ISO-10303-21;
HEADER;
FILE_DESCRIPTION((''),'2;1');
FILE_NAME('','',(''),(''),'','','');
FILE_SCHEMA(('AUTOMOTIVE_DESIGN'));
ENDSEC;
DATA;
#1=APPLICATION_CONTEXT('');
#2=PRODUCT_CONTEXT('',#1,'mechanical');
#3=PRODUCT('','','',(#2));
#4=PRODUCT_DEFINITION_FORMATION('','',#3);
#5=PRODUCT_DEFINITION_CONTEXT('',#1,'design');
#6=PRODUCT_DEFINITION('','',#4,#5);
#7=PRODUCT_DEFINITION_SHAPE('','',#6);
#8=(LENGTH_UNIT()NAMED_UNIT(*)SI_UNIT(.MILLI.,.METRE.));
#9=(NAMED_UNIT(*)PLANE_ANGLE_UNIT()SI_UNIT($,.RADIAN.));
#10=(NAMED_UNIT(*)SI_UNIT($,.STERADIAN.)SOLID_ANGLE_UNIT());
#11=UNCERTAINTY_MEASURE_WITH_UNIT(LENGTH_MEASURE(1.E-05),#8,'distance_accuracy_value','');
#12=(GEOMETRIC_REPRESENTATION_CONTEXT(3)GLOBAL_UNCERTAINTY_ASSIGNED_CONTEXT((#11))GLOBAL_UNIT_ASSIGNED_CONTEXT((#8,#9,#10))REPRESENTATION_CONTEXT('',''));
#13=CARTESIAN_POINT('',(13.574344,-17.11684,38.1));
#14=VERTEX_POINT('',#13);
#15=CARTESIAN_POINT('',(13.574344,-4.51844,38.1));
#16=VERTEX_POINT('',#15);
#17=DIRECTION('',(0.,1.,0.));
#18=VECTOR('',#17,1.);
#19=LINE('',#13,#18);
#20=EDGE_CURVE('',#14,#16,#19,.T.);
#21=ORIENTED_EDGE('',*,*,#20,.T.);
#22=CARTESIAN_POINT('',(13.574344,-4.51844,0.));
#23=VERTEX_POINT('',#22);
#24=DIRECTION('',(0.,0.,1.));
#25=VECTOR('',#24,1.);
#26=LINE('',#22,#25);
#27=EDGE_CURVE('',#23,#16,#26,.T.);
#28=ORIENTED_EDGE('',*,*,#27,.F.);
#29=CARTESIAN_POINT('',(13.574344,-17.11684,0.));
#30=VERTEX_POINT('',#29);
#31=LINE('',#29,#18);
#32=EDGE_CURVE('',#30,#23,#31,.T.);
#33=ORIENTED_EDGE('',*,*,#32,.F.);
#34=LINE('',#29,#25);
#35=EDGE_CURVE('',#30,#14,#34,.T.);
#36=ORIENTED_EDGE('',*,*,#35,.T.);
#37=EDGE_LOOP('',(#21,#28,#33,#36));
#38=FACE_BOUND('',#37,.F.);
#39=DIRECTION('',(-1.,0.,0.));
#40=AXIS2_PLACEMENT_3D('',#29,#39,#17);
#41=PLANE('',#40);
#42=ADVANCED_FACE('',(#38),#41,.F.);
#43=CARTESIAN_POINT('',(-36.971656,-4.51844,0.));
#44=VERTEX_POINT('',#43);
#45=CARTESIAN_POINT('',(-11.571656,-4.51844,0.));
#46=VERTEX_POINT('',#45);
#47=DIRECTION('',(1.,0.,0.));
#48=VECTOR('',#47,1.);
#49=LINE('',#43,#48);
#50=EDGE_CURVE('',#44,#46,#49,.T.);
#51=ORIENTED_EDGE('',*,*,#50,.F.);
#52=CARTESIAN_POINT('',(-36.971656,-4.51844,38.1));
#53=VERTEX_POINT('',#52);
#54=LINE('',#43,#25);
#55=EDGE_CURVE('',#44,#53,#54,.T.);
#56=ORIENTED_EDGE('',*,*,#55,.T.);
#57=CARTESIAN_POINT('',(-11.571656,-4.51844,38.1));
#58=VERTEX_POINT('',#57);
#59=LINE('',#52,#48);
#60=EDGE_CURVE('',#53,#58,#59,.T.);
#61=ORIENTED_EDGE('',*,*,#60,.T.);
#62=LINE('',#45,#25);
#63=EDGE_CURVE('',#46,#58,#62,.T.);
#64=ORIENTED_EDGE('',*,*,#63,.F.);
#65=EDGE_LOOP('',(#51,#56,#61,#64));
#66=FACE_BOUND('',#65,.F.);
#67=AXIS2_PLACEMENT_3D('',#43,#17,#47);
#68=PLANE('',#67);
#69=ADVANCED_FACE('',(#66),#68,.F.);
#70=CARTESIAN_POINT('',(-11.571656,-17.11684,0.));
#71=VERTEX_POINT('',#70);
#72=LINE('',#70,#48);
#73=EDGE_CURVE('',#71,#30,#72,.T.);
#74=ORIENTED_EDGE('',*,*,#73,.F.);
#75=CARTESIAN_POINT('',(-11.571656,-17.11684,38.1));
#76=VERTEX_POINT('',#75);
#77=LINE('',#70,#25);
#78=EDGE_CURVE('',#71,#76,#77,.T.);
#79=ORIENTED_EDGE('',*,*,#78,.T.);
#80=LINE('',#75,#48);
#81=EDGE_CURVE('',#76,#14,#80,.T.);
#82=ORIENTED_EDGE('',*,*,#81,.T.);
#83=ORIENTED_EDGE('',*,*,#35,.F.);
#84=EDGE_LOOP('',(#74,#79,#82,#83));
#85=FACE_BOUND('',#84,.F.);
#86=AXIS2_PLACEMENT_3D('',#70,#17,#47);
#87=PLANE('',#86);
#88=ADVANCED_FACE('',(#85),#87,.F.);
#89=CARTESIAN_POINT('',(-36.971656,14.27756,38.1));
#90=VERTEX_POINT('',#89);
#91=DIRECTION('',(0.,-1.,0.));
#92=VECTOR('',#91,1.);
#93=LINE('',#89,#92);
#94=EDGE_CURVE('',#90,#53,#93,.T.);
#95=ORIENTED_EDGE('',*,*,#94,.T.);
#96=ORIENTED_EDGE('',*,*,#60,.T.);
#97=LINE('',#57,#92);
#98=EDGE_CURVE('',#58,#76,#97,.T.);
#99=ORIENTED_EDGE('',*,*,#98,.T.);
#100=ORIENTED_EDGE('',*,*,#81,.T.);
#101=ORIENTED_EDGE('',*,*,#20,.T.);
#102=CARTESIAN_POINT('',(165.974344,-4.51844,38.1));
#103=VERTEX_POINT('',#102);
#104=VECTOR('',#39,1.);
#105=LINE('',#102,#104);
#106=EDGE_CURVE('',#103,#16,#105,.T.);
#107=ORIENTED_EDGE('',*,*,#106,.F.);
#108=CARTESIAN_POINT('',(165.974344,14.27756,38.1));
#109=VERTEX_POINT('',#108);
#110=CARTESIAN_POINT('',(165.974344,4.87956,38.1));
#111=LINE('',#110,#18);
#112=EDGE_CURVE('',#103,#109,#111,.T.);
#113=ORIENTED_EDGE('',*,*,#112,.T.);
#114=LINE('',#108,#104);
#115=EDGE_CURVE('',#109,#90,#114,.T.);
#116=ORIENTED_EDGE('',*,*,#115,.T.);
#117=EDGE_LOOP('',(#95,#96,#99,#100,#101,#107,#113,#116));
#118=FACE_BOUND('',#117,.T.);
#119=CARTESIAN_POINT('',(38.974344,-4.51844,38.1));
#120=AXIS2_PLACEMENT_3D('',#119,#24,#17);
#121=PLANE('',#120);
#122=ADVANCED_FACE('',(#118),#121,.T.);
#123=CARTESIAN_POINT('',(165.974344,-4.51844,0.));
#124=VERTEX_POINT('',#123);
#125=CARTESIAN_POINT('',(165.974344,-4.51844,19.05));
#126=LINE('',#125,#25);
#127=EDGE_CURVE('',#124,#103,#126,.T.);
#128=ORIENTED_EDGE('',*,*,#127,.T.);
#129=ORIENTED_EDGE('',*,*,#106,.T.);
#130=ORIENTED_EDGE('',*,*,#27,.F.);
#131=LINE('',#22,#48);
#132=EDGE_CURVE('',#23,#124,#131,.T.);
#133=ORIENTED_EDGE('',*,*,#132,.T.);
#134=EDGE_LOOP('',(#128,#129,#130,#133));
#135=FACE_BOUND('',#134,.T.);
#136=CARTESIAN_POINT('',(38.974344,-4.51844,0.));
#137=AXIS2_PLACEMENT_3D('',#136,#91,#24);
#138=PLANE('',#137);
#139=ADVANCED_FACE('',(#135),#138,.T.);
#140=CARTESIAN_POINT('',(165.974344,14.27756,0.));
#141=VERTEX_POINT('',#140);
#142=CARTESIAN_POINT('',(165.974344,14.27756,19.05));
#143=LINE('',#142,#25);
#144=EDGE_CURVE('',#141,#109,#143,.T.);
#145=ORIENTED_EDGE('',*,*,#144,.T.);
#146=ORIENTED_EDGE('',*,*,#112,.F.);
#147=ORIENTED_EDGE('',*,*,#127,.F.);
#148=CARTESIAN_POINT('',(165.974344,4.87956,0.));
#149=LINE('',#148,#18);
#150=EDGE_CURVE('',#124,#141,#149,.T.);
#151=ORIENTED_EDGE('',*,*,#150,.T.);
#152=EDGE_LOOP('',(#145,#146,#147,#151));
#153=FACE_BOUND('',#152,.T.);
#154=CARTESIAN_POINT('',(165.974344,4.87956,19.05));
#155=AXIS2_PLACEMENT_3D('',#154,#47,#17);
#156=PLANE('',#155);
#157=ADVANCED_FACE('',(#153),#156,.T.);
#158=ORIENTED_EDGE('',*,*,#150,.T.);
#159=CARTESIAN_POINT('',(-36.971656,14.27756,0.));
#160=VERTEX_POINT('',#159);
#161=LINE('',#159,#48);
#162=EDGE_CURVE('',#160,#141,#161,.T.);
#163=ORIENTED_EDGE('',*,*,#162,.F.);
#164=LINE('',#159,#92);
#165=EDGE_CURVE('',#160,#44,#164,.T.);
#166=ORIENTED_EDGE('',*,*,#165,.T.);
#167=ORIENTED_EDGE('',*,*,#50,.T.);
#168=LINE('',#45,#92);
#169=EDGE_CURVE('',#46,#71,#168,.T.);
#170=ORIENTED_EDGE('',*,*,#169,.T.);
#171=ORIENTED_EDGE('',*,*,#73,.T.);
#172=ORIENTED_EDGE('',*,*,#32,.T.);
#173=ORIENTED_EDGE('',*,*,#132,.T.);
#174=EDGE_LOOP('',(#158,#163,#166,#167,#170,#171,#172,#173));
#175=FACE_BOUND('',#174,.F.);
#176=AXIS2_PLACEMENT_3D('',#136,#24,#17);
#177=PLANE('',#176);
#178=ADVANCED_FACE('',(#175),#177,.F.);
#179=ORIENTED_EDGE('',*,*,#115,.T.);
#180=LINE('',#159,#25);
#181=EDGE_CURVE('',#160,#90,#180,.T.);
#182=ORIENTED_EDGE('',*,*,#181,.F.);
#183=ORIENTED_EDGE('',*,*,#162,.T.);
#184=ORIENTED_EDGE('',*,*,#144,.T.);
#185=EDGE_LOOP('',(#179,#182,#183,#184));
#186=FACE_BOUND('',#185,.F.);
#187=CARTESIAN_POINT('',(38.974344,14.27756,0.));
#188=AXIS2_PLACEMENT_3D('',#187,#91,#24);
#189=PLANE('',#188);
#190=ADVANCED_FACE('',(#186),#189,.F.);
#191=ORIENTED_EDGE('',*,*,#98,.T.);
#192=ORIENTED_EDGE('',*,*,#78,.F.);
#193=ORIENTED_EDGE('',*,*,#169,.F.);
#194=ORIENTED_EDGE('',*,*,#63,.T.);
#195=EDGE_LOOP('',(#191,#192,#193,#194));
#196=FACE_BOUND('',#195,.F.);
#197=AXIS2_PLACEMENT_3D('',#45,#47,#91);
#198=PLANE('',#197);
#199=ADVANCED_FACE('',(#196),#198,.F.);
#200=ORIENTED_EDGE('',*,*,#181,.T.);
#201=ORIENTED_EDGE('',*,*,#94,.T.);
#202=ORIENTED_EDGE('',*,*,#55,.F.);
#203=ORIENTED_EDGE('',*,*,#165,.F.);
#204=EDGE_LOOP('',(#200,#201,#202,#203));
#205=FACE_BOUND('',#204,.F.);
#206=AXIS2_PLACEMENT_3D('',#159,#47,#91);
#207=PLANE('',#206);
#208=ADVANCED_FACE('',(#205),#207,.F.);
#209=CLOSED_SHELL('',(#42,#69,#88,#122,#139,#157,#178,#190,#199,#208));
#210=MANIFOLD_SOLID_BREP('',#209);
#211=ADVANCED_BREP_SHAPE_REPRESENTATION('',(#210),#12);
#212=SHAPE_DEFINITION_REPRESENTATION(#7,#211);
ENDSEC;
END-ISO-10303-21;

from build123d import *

# Parameters (mm, degrees)
F1_DEPTH = 38.1
F2_W     = 18.796
F2_H     = 38.1
F3_DEPTH = 127


with BuildPart() as f1:
    # F0 (on Top) → F1 (new body)
    with BuildSketch(Plane.XY):
        Polygon((38.974344, 14.27756), (-36.971656, 14.27756), (-36.971656, -4.51844), (-11.571656, -4.51844), (-11.571656, -17.11684), (13.574344, -17.11684), (13.574344, -4.51844), (38.974344, -4.51844), align=None)
    extrude(amount=F1_DEPTH)

    # F2 (on face) → F3 (join)
    with BuildSketch(Plane.YZ.offset(38.974344)):
        with Locations((4.87956, 19.05)):
            Rectangle(F2_W, F2_H)
    extrude(amount=F3_DEPTH)


solid = f1.part
